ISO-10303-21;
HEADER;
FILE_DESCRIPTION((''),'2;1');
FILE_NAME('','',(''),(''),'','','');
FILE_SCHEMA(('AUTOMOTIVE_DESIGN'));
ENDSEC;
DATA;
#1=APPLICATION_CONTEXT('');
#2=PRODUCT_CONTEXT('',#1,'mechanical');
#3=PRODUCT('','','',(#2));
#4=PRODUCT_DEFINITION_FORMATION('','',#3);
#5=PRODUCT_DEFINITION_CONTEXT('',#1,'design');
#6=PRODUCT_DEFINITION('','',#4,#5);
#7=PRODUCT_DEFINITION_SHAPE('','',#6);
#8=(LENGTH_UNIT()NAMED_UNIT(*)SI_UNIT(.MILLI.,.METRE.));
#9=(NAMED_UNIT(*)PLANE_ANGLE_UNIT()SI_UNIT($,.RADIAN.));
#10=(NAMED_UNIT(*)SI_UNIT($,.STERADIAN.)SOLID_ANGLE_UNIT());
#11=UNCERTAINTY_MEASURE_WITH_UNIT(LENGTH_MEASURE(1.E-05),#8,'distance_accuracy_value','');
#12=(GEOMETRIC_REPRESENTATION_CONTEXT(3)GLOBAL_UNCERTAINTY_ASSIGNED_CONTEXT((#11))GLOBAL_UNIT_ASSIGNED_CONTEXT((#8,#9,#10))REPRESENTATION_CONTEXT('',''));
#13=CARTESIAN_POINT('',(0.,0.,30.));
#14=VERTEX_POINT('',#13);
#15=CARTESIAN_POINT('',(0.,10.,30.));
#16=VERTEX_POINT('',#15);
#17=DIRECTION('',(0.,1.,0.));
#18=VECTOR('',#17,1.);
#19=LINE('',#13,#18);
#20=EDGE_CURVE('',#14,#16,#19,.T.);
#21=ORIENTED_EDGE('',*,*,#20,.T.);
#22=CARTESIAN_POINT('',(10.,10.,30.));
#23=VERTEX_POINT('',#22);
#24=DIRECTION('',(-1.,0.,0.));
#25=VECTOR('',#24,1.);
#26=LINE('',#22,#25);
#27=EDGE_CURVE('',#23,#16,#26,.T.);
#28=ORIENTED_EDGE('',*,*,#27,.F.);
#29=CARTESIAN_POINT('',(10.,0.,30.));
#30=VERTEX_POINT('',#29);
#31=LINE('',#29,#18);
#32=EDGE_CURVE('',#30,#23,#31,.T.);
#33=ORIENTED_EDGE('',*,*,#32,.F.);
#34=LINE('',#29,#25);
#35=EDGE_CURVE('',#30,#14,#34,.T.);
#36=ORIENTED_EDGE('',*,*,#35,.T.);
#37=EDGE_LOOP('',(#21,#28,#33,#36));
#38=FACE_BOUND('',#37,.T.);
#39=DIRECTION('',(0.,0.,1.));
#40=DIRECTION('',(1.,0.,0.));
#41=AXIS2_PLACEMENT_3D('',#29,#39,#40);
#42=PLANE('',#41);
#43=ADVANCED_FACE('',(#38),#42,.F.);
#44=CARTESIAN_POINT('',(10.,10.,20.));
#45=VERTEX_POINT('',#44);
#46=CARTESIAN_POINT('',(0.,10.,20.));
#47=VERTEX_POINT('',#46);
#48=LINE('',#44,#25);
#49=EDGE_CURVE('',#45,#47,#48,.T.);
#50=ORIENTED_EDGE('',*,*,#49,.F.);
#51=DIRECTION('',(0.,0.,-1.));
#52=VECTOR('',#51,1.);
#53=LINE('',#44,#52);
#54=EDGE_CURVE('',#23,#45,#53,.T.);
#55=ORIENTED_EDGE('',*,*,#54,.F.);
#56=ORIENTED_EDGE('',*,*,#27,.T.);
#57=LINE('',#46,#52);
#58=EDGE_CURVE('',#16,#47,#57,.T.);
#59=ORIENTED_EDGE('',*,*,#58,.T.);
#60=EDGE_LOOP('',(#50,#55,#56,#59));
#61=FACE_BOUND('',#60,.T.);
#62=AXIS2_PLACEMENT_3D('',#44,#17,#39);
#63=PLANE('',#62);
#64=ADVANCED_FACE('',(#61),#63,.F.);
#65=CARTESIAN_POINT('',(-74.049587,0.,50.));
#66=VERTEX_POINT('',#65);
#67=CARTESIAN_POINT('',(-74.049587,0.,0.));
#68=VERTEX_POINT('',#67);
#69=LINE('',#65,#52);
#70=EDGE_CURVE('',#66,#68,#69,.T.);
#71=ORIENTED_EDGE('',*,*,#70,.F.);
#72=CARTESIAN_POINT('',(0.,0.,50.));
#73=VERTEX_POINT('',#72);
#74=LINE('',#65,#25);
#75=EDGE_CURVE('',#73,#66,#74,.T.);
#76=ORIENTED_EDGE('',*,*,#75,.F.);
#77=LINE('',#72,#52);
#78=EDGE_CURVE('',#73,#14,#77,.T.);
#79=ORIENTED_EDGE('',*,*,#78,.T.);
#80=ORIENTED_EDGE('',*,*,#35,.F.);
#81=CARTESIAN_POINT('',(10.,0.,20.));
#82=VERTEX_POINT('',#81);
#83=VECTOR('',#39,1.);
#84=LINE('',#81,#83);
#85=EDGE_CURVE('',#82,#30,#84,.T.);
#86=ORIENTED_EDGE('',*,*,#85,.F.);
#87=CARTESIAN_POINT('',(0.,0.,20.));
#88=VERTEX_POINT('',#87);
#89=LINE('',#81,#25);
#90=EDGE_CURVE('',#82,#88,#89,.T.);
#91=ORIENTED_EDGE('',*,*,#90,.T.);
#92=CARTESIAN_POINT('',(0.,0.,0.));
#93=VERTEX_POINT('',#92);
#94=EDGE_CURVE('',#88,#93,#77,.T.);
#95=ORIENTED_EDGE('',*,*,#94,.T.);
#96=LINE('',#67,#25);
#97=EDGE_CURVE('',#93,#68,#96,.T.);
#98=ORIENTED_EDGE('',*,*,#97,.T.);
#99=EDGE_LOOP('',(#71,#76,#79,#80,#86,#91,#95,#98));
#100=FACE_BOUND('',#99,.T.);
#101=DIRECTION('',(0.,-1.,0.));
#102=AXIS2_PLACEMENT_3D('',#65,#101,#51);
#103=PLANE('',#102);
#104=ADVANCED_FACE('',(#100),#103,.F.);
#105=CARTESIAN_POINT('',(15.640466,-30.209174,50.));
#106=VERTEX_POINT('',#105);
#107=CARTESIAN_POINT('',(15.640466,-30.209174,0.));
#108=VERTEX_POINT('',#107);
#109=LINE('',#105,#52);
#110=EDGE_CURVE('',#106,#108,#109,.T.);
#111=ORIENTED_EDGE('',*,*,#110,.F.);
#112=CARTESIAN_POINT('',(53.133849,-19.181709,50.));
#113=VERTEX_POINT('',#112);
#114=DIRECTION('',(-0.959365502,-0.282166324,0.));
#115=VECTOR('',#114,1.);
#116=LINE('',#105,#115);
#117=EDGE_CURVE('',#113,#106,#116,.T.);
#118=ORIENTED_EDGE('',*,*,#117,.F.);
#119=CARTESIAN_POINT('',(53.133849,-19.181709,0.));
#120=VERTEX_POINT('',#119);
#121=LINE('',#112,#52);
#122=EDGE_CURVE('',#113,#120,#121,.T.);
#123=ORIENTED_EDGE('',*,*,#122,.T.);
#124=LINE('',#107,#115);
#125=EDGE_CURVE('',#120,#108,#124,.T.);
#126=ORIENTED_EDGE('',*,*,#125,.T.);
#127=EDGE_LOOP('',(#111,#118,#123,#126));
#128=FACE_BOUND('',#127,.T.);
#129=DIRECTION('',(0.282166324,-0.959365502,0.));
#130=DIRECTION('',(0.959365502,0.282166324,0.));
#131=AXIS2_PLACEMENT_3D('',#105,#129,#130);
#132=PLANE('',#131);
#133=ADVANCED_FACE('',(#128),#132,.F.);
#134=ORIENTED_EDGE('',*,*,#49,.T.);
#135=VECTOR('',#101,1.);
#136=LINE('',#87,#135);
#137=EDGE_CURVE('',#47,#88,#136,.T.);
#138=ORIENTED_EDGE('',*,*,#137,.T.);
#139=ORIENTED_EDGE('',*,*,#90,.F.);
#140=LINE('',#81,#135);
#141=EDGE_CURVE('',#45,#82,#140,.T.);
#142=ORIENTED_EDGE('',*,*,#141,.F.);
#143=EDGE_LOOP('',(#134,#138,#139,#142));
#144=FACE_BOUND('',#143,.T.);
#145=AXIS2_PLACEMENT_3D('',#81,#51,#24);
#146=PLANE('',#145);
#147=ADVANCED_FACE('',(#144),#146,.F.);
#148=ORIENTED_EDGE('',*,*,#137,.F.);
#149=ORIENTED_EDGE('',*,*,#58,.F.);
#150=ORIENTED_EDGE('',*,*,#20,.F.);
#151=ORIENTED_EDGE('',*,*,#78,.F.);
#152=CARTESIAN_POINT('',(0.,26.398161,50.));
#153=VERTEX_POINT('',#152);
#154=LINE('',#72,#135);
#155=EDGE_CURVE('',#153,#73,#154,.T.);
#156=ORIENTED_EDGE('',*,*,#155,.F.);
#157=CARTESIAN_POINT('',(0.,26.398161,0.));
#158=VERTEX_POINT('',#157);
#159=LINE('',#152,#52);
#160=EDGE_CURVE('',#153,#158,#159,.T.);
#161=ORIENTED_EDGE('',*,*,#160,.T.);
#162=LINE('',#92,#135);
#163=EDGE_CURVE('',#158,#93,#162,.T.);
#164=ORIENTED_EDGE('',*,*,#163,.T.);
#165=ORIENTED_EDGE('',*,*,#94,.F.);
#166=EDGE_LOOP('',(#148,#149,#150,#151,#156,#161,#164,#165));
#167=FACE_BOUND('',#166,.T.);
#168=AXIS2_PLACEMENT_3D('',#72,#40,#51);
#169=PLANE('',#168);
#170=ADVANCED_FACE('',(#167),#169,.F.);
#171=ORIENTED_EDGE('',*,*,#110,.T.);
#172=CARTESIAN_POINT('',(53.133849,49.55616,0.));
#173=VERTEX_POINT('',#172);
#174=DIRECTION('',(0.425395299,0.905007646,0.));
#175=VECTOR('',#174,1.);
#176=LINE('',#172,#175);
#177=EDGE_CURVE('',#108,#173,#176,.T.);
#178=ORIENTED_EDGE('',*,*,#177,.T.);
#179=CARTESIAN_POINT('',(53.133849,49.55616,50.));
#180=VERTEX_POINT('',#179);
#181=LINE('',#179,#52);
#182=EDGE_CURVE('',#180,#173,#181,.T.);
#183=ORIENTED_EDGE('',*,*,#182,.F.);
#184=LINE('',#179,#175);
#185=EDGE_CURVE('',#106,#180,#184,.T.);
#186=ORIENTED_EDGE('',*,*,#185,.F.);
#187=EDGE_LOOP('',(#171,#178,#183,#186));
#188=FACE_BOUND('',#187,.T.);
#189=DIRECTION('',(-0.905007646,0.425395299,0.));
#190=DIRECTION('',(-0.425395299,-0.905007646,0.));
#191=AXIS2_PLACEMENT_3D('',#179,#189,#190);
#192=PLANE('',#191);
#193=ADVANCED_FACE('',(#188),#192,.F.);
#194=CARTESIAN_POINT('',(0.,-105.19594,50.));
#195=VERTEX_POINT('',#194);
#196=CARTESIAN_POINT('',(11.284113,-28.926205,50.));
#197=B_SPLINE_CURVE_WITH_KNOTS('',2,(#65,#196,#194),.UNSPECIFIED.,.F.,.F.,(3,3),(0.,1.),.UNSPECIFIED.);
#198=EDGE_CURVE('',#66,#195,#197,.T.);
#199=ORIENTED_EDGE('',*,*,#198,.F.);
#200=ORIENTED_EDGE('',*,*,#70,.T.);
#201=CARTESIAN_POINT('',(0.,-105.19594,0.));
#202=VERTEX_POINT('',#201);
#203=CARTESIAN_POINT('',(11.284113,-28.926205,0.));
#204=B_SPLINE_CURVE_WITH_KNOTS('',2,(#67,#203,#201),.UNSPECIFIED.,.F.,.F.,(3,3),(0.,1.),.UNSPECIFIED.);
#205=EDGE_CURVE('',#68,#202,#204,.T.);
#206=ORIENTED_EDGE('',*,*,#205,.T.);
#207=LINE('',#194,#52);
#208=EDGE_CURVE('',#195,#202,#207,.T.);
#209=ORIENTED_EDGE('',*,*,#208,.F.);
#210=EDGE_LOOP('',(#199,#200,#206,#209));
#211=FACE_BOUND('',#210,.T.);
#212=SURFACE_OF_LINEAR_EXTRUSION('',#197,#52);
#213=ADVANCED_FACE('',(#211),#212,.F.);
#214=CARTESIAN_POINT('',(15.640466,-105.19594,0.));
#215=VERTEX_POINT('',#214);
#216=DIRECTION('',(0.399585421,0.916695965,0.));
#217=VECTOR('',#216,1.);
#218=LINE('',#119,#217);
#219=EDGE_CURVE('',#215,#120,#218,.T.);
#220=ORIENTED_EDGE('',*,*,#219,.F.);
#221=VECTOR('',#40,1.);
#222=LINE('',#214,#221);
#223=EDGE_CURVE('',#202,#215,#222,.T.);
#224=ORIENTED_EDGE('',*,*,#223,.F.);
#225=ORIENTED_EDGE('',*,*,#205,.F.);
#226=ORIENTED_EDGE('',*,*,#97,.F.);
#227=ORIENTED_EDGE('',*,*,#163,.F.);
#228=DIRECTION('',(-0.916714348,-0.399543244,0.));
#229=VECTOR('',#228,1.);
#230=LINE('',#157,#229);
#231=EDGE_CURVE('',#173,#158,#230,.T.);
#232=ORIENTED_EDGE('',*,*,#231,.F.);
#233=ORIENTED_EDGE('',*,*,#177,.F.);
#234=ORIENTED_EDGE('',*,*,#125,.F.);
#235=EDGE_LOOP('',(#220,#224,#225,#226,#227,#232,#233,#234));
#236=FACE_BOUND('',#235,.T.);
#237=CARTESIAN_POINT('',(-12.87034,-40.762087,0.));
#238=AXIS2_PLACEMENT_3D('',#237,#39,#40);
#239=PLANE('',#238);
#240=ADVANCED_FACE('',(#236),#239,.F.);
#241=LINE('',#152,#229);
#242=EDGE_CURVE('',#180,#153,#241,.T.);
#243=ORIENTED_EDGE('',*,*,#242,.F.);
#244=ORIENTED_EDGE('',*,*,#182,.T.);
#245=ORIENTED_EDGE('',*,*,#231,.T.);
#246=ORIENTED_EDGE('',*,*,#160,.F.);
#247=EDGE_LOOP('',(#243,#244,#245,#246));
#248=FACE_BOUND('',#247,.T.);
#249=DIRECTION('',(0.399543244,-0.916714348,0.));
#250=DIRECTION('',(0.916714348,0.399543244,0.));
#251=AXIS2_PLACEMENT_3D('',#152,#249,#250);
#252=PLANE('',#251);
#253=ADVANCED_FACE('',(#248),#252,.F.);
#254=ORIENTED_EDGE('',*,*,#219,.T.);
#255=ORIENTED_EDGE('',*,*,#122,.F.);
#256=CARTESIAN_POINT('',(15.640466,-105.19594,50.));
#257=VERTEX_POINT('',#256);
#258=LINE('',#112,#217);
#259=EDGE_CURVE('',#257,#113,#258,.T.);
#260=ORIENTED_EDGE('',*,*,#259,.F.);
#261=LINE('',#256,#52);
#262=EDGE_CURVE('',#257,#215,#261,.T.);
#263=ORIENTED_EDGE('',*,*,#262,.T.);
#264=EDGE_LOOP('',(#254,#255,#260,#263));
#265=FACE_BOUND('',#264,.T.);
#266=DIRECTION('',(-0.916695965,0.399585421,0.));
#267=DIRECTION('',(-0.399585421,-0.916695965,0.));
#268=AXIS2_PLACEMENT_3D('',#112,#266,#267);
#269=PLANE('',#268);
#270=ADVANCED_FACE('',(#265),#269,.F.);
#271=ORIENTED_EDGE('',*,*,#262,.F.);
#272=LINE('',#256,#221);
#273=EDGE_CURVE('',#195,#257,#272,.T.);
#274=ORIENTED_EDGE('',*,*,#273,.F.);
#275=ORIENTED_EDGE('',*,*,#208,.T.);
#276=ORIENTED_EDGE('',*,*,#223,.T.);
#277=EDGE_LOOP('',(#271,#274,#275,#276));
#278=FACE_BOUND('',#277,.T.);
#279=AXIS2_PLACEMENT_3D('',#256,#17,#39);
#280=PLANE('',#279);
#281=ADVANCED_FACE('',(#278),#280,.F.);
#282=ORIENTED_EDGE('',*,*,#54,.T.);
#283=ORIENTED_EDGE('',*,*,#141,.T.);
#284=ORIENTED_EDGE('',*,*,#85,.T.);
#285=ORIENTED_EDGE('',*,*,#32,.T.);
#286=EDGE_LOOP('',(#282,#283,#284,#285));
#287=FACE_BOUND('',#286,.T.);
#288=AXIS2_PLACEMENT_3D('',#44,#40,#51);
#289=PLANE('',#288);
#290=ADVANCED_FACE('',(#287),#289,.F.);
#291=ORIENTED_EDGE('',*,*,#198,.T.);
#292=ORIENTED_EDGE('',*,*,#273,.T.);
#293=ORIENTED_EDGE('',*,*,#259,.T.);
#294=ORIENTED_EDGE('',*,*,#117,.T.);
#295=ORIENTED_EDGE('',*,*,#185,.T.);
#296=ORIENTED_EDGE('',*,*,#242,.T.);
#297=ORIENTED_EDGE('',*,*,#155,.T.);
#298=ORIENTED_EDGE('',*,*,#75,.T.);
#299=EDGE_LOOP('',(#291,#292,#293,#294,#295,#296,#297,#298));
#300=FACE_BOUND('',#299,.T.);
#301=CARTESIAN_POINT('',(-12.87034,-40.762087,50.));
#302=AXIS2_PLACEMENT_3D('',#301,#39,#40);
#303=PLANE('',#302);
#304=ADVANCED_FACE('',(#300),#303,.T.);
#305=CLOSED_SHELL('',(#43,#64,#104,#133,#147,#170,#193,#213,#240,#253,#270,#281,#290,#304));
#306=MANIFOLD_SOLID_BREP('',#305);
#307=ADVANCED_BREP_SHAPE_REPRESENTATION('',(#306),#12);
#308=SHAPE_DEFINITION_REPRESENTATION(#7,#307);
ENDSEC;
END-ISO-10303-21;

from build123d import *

# Parameters (mm, degrees)
EXTRUDE_1_DEPTH     = 50
SKETCH_2_W          = 10
SKETCH_2_H          = 10
CUT_EXTRUDE_1_DEPTH = 10


with BuildPart() as part:
    # 草圖1 → 填料-伸長1 (new body)
    with BuildSketch(Plane.XY):
        with BuildLine():
            Line((-74.049587352, 0), (0, 0))
            Line((0, 0), (0, 26.398160535))
            Line((0, 26.398160535), (53.133849001, 49.556160033))
            Line((53.133849001, 49.556160033), (15.64046603, -30.209174327))
            Line((15.64046603, -30.209174327), (53.133849001, -19.181708747))
            Line((53.133849001, -19.181708747), (15.64046603, -105.195940269))
            Line((15.64046603, -105.195940269), (0, -105.195940269))
            add(Edge.make_bspline(
                [(-74.049587352, 0), (11.284113354, -28.926204628), (0, -105.195940269)],
                knots=[0, 0, 0, 1, 1, 1], degree=2))
        make_face()
    extrude(amount=EXTRUDE_1_DEPTH)

    # 草圖2 → 除料-伸長1 (cut)
    with BuildSketch(Plane.ZY):
        with Locations((25, 5)):
            Rectangle(SKETCH_2_W, SKETCH_2_H)
    extrude(amount=-CUT_EXTRUDE_1_DEPTH, mode=Mode.SUBTRACT)


solid = part.part
